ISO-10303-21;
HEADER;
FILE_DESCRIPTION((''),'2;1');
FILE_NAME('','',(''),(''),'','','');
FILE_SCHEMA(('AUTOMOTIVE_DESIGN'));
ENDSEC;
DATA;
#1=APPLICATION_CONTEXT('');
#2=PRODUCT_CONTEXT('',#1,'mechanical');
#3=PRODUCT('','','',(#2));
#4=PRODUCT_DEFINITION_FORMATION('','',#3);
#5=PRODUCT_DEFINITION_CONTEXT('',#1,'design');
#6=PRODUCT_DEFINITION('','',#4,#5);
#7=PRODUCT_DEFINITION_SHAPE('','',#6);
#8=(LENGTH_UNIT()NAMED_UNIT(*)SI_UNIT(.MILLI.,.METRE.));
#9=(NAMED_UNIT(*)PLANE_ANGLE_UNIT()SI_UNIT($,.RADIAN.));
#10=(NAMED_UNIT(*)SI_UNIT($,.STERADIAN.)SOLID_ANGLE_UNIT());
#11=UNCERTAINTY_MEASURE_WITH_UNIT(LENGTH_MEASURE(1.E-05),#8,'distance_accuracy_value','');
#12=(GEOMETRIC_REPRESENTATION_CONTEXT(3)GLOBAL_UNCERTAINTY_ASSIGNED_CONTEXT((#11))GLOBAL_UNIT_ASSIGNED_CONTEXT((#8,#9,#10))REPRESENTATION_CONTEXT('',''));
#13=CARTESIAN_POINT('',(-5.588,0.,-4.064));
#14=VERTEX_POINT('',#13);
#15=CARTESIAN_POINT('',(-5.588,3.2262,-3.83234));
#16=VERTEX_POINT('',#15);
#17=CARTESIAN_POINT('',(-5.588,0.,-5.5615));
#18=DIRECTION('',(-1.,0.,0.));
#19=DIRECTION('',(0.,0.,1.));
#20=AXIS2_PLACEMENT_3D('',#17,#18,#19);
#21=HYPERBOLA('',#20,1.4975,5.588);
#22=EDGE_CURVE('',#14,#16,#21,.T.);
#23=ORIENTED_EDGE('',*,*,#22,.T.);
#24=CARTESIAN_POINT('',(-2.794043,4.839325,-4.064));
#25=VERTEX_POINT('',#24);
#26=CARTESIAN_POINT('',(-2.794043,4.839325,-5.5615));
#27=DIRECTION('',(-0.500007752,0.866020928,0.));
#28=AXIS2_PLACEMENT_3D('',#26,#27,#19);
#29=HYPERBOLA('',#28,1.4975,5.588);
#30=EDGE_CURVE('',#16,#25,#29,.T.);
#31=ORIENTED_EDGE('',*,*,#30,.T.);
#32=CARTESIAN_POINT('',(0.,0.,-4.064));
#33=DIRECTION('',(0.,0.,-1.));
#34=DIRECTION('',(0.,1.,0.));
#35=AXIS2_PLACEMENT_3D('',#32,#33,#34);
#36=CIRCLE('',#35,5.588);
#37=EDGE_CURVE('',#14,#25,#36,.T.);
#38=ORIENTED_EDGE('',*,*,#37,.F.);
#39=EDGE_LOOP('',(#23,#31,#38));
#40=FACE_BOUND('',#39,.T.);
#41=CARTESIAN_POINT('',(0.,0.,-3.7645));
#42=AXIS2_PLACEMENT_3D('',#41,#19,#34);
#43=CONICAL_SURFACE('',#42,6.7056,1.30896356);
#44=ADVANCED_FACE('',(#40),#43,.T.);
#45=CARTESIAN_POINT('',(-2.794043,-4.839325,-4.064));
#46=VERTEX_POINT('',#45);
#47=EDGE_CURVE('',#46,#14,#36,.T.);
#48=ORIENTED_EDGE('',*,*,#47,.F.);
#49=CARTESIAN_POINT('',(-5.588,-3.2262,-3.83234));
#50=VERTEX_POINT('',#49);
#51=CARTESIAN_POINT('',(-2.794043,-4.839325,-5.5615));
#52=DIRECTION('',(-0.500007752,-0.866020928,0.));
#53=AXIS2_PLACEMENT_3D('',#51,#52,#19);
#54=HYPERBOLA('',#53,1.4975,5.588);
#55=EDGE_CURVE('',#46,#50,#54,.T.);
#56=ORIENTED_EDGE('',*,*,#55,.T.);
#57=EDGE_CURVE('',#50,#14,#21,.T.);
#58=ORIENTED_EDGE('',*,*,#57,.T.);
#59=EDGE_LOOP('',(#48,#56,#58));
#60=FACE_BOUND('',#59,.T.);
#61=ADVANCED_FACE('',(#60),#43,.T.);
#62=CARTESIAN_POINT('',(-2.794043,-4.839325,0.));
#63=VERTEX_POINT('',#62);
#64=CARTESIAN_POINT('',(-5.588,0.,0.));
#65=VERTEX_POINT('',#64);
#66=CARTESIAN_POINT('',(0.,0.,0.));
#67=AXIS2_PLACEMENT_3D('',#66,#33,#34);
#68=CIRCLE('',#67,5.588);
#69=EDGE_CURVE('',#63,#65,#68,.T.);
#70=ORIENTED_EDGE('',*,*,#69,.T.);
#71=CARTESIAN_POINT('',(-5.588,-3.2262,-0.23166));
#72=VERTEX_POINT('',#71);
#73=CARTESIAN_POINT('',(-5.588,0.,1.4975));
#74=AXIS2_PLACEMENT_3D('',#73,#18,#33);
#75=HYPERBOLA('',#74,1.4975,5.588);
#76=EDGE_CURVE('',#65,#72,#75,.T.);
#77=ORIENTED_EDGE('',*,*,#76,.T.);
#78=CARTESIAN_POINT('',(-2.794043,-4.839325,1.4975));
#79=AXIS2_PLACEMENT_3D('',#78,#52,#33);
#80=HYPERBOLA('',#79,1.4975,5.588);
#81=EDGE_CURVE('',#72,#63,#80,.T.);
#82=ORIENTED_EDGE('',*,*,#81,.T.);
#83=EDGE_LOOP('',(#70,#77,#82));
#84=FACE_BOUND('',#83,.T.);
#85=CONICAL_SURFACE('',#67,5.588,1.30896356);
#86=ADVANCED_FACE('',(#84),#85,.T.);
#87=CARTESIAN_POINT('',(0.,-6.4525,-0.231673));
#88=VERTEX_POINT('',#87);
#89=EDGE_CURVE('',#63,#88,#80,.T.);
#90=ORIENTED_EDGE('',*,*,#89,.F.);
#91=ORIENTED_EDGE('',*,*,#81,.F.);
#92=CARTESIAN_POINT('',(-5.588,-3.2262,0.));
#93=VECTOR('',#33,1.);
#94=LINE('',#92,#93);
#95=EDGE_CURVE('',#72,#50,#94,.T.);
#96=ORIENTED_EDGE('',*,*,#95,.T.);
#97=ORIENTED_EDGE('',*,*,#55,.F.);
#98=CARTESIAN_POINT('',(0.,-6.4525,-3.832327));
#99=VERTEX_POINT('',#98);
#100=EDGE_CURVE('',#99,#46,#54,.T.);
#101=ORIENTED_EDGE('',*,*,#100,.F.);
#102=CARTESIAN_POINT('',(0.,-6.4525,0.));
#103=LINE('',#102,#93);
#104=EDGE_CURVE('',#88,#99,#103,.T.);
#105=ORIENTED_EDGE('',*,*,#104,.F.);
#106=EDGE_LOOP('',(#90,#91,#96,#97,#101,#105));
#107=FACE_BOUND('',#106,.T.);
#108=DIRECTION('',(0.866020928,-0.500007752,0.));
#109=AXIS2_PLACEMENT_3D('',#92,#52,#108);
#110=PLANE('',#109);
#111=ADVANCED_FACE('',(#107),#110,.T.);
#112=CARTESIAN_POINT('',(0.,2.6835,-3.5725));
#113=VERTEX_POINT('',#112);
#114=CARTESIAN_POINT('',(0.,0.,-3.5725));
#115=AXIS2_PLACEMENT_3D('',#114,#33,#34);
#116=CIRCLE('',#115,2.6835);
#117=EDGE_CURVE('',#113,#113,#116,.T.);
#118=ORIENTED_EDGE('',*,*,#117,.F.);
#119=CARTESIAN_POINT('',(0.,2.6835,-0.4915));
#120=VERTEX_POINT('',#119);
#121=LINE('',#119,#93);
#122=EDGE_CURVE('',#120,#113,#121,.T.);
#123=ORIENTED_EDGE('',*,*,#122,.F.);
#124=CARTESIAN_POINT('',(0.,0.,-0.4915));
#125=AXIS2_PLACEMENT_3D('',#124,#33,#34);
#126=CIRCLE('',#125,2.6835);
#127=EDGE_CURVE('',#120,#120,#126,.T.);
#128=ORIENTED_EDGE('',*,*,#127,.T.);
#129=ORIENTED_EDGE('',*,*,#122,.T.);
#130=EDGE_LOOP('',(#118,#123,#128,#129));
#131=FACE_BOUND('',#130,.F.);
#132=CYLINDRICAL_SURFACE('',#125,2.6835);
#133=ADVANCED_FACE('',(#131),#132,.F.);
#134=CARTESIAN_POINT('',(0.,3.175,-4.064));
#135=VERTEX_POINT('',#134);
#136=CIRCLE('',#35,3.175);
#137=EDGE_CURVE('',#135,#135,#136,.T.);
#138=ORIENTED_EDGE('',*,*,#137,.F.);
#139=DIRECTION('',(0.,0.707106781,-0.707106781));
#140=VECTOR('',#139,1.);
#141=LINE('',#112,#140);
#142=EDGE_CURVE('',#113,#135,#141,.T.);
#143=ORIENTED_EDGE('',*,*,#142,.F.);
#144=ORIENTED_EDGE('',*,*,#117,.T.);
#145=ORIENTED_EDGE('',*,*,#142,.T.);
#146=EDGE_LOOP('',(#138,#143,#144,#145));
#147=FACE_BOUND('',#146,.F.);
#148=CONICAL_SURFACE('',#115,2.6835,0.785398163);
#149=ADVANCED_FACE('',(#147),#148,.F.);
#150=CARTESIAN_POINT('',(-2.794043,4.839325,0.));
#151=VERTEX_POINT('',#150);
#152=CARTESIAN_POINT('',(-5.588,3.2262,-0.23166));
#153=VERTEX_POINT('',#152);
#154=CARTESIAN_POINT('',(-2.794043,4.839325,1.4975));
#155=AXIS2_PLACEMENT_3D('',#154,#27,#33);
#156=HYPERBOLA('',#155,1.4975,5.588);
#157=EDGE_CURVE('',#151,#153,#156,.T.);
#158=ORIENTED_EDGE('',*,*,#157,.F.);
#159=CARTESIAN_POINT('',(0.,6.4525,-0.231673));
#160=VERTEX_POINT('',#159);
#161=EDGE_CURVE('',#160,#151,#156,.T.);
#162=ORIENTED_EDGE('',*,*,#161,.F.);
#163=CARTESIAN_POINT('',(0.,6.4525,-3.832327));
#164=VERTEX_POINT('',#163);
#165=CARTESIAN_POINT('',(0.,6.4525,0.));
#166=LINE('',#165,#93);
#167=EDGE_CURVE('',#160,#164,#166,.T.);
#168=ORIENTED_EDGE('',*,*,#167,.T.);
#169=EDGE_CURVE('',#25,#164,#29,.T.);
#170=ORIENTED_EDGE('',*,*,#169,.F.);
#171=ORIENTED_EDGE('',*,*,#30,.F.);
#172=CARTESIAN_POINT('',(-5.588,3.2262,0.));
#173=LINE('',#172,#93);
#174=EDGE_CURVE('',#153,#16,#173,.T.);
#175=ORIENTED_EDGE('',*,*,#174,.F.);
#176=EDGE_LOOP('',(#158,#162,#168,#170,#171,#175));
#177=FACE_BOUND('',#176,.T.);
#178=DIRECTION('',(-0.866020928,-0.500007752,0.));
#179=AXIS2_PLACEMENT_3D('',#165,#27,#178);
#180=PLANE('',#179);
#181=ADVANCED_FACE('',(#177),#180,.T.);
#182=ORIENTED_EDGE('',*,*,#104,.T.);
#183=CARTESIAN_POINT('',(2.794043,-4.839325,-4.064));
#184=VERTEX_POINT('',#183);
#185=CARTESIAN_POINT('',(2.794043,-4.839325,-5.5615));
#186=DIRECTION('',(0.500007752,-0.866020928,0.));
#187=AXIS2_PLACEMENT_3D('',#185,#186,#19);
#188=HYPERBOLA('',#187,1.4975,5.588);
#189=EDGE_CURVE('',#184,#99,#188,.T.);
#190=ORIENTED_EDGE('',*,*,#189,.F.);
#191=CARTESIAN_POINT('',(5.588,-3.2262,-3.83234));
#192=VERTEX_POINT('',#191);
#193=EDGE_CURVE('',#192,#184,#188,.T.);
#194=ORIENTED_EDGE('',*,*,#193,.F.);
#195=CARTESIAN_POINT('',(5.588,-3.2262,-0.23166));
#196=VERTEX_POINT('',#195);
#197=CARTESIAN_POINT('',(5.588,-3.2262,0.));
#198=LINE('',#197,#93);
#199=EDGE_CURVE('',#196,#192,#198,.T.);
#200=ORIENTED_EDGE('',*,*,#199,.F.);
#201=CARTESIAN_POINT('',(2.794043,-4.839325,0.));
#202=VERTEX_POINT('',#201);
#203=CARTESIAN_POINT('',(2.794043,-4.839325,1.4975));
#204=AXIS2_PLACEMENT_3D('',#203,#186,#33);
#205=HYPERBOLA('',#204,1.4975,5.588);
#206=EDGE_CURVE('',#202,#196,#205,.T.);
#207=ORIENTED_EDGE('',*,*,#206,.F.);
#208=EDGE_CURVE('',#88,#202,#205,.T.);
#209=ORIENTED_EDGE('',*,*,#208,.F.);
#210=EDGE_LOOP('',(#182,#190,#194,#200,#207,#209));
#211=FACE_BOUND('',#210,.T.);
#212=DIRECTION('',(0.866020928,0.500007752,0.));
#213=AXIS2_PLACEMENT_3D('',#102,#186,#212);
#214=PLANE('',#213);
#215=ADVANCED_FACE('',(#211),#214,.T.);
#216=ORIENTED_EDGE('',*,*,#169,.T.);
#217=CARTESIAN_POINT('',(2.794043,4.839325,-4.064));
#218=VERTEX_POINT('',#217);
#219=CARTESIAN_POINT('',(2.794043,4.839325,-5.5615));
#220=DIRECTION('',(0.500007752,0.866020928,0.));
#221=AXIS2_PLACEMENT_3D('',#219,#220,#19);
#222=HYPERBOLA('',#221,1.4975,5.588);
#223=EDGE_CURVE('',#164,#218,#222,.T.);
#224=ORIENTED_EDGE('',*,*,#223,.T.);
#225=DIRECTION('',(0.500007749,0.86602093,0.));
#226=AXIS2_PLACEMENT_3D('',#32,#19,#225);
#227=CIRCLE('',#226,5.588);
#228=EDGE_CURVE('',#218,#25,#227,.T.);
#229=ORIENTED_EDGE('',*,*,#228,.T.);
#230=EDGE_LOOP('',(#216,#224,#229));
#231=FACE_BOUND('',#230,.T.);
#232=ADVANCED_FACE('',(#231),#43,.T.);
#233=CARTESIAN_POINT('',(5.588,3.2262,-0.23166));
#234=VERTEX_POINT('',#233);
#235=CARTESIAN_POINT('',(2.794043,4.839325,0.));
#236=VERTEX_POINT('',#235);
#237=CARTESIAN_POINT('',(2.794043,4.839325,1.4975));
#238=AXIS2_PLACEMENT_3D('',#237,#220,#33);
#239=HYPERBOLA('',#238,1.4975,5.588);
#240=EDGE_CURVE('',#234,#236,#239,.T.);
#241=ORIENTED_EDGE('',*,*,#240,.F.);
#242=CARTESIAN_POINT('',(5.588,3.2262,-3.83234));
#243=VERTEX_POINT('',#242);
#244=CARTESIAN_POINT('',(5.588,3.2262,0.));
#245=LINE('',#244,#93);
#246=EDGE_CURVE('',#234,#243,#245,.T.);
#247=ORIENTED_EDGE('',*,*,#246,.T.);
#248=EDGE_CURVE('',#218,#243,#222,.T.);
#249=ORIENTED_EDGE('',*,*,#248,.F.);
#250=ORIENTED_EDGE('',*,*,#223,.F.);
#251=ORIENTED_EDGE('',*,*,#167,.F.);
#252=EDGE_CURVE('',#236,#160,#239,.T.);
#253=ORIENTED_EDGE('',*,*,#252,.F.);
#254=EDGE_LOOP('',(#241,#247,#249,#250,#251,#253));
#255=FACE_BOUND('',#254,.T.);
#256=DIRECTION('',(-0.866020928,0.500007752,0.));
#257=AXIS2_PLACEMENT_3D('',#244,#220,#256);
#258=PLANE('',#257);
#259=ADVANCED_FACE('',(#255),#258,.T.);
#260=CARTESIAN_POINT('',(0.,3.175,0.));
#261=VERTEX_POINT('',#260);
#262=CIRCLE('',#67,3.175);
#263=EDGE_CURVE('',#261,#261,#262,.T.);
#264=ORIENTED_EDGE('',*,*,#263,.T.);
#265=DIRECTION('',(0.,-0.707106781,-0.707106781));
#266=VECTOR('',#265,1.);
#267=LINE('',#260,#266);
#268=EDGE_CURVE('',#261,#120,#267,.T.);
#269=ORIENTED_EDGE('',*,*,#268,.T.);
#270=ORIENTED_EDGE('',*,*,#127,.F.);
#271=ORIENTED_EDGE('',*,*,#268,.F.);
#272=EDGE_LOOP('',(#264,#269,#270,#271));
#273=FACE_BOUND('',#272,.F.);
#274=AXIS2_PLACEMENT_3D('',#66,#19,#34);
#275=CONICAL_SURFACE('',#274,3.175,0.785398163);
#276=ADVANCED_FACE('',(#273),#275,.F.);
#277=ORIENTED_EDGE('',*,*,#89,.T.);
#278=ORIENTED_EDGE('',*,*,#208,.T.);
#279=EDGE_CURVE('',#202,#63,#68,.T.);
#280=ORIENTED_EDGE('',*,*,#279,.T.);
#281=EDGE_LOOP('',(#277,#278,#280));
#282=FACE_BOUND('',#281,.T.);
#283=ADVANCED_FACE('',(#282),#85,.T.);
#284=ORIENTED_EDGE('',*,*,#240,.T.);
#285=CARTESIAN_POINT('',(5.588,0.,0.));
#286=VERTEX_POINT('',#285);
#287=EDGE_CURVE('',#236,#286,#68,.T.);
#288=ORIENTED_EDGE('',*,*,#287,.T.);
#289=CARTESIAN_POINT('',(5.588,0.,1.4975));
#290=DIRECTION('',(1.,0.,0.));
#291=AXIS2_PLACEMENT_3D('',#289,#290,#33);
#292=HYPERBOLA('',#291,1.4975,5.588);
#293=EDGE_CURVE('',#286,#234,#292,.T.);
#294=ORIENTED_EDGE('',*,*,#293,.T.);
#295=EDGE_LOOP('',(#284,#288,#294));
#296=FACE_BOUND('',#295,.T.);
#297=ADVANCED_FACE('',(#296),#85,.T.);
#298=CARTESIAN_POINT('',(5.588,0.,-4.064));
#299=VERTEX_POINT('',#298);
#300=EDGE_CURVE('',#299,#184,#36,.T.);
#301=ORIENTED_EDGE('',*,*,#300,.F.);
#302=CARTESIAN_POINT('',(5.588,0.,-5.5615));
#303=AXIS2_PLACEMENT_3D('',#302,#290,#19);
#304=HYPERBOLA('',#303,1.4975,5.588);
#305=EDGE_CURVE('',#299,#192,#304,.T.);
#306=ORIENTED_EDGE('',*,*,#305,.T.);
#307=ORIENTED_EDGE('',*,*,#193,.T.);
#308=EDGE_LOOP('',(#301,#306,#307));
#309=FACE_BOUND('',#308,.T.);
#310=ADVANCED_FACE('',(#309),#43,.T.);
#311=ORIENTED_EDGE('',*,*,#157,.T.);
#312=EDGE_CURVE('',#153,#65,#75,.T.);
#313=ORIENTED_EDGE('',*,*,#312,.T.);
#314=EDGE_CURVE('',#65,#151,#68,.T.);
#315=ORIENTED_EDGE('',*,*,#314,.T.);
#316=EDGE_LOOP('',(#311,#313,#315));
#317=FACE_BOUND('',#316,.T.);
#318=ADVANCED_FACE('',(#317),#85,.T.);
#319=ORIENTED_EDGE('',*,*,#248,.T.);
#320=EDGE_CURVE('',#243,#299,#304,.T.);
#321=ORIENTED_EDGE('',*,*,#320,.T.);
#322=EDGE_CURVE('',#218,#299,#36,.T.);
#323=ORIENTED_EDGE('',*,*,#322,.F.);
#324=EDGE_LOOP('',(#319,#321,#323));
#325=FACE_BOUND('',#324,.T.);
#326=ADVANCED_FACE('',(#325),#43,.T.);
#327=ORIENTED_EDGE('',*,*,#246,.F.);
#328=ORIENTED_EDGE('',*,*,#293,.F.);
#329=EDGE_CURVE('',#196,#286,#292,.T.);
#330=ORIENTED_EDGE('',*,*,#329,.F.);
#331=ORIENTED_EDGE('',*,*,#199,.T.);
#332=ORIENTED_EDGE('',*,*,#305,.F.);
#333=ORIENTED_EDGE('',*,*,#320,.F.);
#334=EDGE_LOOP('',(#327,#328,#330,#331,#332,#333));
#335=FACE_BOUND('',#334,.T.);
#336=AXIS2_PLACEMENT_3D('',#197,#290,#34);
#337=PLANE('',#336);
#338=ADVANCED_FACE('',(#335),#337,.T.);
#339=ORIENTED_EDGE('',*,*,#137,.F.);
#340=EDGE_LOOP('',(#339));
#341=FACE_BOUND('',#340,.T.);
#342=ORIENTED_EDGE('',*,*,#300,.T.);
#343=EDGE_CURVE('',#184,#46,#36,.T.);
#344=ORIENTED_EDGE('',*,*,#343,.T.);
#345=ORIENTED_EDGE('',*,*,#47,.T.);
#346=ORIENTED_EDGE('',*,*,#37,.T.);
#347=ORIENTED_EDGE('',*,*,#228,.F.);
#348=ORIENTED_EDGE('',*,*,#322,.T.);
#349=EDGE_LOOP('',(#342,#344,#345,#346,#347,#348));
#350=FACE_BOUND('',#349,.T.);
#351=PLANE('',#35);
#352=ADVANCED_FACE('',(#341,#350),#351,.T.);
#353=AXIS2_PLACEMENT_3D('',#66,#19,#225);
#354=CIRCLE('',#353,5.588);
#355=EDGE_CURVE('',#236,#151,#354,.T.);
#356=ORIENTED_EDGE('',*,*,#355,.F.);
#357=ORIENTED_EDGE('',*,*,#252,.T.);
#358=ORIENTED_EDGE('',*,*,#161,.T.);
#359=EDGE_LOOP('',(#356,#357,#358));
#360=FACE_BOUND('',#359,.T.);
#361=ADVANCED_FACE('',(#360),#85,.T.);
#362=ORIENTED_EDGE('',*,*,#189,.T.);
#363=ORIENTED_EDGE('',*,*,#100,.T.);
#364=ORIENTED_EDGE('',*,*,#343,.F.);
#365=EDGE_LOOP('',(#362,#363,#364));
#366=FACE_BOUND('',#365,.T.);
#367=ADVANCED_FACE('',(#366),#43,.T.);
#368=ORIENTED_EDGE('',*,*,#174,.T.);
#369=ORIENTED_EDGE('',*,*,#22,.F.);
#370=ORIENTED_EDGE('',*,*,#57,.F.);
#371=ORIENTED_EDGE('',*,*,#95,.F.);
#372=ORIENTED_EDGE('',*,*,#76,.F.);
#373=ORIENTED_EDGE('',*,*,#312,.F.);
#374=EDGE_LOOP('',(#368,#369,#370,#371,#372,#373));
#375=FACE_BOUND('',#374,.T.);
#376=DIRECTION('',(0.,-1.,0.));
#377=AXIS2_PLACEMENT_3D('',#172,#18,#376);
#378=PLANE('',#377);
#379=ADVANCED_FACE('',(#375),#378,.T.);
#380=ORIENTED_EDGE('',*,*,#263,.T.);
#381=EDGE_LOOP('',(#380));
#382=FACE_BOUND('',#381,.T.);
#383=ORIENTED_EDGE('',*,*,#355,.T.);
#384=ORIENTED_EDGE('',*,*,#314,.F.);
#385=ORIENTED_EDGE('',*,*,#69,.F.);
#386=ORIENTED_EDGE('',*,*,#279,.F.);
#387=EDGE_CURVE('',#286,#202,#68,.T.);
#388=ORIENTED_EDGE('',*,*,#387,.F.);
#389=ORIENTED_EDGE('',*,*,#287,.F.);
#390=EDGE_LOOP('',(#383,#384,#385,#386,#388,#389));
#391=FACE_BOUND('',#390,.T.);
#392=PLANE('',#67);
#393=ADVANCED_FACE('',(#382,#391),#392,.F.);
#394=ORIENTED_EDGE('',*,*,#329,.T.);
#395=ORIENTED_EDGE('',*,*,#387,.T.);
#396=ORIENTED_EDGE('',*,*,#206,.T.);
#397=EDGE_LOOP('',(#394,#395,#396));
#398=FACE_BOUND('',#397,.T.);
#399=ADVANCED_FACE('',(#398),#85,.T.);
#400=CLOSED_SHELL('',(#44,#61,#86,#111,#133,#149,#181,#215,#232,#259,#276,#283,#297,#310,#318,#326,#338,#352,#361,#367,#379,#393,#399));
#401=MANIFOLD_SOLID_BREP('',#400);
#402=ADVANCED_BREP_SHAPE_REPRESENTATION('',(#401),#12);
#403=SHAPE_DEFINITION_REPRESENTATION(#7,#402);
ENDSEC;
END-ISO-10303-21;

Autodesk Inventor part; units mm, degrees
sketch "Sketch_8" plane through (0, 0, 0) normal (1, 0, 0) x (0, 1, 0)
  line L0 (0, -4.064) -> (0, 0)
  line L1 (0, 0) -> (5.588, 0)
  line L2 (5.588, 0) -> (6.7056, -0.2995)
  line L3 (6.7056, -0.2995) -> (6.7056, -3.7645)
  line L4 (6.7056, -3.7645) -> (5.588, -4.064)
  line L5 (5.588, -4.064) -> (0, -4.064)
  line L6 (0, -4.064) -> (0, 0)
sketch "Sketch_10" plane through (0, 0, 0) normal (0, 0, 1) x (1, 0, 0)
  line L0 (-11.176, 11.176) -> (-11.176, -11.176)
  line L1 (-11.176, -11.176) -> (11.176, -11.176)
  line L2 (11.176, -11.176) -> (11.176, 11.176)
  line L3 (11.176, 11.176) -> (-11.176, 11.176)
  line L4 (-5.588, 3.2262) -> (-5.588, -3.2262)
  line L5 (-5.588, -3.2262) -> (0, -6.4525)
  line L6 (0, -6.4525) -> (5.588, -3.2262)
  line L7 (5.588, -3.2262) -> (5.588, 3.2262)
  line L8 (5.588, 3.2262) -> (0, 6.4525)
  line L9 (0, 6.4525) -> (-5.588, 3.2262)
revolve "Revolution1" add sketch "Sketch_8" angle 360 about axis through (0, 0, -4.064) along (0, 0, -1)
extrude "Extrusion1" cut sketch "Sketch_10" against normal blind 4.064
sketch "Sketch_11" plane through (0, 0, 0) normal (1, 0, 0) x (0, 1, 0)
  line L0 (0, -4.064) -> (0, 0)
  line L1 (0, 0) -> (3.175, 0)
  line L2 (3.175, 0) -> (2.6835, -0.4915)
  line L3 (2.6835, -0.4915) -> (2.6835, -3.5725)
  line L4 (2.6835, -3.5725) -> (3.175, -4.064)
  line L5 (3.175, -4.064) -> (0, -4.064)
  line L6 (0, -4.064) -> (0, 0)
revolve "Revolution2" cut sketch "Sketch_11" angle 360 about axis through (0, 0, -4.064) along (0, 0, -1)
thread "Thread1"
ref_plane "NUT_XY" through (0, 0, 0) normal (0, 0, 1) x (1, 0, 0)
ref_plane "NUT_YZ" through (0, 0, 0) normal (1, 0, 0) x (0, 1, 0)
ref_plane "NUT_ZX" through (0, 0, 0) normal (0, 1, 0) x (0, 0, 1)
ref_plane "a1_XY" through (-5.588, 5.588, 0) normal (0, 0, 1) x (1, 0, 0)
ref_plane "a1_YZ" through (-5.588, 5.588, 0) normal (1, 0, 0) x (0, 1, 0)
ref_plane "a1_ZX" through (-5.588, 5.588, 0) normal (0, 1, 0) x (0, 0, 1)
ref_plane "a2_XY" through (5.588, 5.588, 0) normal (0, 0, 1) x (1, 0, 0)
ref_plane "a2_YZ" through (5.588, 5.588, 0) normal (1, 0, 0) x (0, 1, 0)
ref_plane "a2_ZX" through (5.588, 5.588, 0) normal (0, 1, 0) x (0, 0, 1)
ref_plane "b1_XY" through (0, 5.588, 0) normal (1, 0, 0) x (0, 0, -1)
ref_plane "b1_YZ" through (0, 5.588, 0) normal (0, 0, -1) x (0, 1, 0)
ref_plane "b1_ZX" through (0, 5.588, 0) normal (0, 1, 0) x (1, 0, 0)
ref_plane "b2_XY" through (0, 5.588, -4.064) normal (1, 0, 0) x (0, 0, -1)
ref_plane "b2_YZ" through (0, 5.588, -4.064) normal (0, 0, -1) x (0, 1, 0)
ref_plane "b2_ZX" through (0, 5.588, -4.064) normal (0, 1, 0) x (1, 0, 0)
ref_plane "e_XY" through (0, 0, -4.064) normal (1, 0, 0) x (0, 0, -1)
ref_plane "e_YZ" through (0, 0, -4.064) normal (0, 0, -1) x (0, 1, 0)
ref_plane "e_ZX" through (0, 0, -4.064) normal (0, 1, 0) x (1, 0, 0)
ref_plane "th1_XY" through (0, 3.175, -4.064) normal (1, 0, 0) x (0, 0, -1)
ref_plane "th1_YZ" through (0, 3.175, -4.064) normal (0, 0, -1) x (0, 1, 0)
ref_plane "th1_ZX" through (0, 3.175, -4.064) normal (0, 1, 0) x (1, 0, 0)
ref_plane "th2_XY" through (0, -3.175, -4.064) normal (1, 0, 0) x (0, 0, -1)
ref_plane "th2_YZ" through (0, -3.175, -4.064) normal (0, 0, -1) x (0, 1, 0)
ref_plane "th2_ZX" through (0, -3.175, -4.064) normal (0, 1, 0) x (1, 0, 0)
ref_plane "ol1_XY" through (0, 0, -5.588) normal (0, 1, 0) x (1, 0, 0)
ref_plane "ol1_YZ" through (0, 0, -5.588) normal (1, 0, 0) x (0, 0, -1)
ref_plane "ol1_ZX" through (0, 0, -5.588) normal (0, 0, -1) x (0, 1, 0)
ref_plane "ol2_XY" through (4.064, 0, -5.588) normal (0, 1, 0) x (1, 0, 0)
ref_plane "ol2_YZ" through (4.064, 0, -5.588) normal (1, 0, 0) x (0, 0, -1)
ref_plane "ol2_ZX" through (4.064, 0, -5.588) normal (0, 0, -1) x (0, 1, 0)
properties part number "D-344"
